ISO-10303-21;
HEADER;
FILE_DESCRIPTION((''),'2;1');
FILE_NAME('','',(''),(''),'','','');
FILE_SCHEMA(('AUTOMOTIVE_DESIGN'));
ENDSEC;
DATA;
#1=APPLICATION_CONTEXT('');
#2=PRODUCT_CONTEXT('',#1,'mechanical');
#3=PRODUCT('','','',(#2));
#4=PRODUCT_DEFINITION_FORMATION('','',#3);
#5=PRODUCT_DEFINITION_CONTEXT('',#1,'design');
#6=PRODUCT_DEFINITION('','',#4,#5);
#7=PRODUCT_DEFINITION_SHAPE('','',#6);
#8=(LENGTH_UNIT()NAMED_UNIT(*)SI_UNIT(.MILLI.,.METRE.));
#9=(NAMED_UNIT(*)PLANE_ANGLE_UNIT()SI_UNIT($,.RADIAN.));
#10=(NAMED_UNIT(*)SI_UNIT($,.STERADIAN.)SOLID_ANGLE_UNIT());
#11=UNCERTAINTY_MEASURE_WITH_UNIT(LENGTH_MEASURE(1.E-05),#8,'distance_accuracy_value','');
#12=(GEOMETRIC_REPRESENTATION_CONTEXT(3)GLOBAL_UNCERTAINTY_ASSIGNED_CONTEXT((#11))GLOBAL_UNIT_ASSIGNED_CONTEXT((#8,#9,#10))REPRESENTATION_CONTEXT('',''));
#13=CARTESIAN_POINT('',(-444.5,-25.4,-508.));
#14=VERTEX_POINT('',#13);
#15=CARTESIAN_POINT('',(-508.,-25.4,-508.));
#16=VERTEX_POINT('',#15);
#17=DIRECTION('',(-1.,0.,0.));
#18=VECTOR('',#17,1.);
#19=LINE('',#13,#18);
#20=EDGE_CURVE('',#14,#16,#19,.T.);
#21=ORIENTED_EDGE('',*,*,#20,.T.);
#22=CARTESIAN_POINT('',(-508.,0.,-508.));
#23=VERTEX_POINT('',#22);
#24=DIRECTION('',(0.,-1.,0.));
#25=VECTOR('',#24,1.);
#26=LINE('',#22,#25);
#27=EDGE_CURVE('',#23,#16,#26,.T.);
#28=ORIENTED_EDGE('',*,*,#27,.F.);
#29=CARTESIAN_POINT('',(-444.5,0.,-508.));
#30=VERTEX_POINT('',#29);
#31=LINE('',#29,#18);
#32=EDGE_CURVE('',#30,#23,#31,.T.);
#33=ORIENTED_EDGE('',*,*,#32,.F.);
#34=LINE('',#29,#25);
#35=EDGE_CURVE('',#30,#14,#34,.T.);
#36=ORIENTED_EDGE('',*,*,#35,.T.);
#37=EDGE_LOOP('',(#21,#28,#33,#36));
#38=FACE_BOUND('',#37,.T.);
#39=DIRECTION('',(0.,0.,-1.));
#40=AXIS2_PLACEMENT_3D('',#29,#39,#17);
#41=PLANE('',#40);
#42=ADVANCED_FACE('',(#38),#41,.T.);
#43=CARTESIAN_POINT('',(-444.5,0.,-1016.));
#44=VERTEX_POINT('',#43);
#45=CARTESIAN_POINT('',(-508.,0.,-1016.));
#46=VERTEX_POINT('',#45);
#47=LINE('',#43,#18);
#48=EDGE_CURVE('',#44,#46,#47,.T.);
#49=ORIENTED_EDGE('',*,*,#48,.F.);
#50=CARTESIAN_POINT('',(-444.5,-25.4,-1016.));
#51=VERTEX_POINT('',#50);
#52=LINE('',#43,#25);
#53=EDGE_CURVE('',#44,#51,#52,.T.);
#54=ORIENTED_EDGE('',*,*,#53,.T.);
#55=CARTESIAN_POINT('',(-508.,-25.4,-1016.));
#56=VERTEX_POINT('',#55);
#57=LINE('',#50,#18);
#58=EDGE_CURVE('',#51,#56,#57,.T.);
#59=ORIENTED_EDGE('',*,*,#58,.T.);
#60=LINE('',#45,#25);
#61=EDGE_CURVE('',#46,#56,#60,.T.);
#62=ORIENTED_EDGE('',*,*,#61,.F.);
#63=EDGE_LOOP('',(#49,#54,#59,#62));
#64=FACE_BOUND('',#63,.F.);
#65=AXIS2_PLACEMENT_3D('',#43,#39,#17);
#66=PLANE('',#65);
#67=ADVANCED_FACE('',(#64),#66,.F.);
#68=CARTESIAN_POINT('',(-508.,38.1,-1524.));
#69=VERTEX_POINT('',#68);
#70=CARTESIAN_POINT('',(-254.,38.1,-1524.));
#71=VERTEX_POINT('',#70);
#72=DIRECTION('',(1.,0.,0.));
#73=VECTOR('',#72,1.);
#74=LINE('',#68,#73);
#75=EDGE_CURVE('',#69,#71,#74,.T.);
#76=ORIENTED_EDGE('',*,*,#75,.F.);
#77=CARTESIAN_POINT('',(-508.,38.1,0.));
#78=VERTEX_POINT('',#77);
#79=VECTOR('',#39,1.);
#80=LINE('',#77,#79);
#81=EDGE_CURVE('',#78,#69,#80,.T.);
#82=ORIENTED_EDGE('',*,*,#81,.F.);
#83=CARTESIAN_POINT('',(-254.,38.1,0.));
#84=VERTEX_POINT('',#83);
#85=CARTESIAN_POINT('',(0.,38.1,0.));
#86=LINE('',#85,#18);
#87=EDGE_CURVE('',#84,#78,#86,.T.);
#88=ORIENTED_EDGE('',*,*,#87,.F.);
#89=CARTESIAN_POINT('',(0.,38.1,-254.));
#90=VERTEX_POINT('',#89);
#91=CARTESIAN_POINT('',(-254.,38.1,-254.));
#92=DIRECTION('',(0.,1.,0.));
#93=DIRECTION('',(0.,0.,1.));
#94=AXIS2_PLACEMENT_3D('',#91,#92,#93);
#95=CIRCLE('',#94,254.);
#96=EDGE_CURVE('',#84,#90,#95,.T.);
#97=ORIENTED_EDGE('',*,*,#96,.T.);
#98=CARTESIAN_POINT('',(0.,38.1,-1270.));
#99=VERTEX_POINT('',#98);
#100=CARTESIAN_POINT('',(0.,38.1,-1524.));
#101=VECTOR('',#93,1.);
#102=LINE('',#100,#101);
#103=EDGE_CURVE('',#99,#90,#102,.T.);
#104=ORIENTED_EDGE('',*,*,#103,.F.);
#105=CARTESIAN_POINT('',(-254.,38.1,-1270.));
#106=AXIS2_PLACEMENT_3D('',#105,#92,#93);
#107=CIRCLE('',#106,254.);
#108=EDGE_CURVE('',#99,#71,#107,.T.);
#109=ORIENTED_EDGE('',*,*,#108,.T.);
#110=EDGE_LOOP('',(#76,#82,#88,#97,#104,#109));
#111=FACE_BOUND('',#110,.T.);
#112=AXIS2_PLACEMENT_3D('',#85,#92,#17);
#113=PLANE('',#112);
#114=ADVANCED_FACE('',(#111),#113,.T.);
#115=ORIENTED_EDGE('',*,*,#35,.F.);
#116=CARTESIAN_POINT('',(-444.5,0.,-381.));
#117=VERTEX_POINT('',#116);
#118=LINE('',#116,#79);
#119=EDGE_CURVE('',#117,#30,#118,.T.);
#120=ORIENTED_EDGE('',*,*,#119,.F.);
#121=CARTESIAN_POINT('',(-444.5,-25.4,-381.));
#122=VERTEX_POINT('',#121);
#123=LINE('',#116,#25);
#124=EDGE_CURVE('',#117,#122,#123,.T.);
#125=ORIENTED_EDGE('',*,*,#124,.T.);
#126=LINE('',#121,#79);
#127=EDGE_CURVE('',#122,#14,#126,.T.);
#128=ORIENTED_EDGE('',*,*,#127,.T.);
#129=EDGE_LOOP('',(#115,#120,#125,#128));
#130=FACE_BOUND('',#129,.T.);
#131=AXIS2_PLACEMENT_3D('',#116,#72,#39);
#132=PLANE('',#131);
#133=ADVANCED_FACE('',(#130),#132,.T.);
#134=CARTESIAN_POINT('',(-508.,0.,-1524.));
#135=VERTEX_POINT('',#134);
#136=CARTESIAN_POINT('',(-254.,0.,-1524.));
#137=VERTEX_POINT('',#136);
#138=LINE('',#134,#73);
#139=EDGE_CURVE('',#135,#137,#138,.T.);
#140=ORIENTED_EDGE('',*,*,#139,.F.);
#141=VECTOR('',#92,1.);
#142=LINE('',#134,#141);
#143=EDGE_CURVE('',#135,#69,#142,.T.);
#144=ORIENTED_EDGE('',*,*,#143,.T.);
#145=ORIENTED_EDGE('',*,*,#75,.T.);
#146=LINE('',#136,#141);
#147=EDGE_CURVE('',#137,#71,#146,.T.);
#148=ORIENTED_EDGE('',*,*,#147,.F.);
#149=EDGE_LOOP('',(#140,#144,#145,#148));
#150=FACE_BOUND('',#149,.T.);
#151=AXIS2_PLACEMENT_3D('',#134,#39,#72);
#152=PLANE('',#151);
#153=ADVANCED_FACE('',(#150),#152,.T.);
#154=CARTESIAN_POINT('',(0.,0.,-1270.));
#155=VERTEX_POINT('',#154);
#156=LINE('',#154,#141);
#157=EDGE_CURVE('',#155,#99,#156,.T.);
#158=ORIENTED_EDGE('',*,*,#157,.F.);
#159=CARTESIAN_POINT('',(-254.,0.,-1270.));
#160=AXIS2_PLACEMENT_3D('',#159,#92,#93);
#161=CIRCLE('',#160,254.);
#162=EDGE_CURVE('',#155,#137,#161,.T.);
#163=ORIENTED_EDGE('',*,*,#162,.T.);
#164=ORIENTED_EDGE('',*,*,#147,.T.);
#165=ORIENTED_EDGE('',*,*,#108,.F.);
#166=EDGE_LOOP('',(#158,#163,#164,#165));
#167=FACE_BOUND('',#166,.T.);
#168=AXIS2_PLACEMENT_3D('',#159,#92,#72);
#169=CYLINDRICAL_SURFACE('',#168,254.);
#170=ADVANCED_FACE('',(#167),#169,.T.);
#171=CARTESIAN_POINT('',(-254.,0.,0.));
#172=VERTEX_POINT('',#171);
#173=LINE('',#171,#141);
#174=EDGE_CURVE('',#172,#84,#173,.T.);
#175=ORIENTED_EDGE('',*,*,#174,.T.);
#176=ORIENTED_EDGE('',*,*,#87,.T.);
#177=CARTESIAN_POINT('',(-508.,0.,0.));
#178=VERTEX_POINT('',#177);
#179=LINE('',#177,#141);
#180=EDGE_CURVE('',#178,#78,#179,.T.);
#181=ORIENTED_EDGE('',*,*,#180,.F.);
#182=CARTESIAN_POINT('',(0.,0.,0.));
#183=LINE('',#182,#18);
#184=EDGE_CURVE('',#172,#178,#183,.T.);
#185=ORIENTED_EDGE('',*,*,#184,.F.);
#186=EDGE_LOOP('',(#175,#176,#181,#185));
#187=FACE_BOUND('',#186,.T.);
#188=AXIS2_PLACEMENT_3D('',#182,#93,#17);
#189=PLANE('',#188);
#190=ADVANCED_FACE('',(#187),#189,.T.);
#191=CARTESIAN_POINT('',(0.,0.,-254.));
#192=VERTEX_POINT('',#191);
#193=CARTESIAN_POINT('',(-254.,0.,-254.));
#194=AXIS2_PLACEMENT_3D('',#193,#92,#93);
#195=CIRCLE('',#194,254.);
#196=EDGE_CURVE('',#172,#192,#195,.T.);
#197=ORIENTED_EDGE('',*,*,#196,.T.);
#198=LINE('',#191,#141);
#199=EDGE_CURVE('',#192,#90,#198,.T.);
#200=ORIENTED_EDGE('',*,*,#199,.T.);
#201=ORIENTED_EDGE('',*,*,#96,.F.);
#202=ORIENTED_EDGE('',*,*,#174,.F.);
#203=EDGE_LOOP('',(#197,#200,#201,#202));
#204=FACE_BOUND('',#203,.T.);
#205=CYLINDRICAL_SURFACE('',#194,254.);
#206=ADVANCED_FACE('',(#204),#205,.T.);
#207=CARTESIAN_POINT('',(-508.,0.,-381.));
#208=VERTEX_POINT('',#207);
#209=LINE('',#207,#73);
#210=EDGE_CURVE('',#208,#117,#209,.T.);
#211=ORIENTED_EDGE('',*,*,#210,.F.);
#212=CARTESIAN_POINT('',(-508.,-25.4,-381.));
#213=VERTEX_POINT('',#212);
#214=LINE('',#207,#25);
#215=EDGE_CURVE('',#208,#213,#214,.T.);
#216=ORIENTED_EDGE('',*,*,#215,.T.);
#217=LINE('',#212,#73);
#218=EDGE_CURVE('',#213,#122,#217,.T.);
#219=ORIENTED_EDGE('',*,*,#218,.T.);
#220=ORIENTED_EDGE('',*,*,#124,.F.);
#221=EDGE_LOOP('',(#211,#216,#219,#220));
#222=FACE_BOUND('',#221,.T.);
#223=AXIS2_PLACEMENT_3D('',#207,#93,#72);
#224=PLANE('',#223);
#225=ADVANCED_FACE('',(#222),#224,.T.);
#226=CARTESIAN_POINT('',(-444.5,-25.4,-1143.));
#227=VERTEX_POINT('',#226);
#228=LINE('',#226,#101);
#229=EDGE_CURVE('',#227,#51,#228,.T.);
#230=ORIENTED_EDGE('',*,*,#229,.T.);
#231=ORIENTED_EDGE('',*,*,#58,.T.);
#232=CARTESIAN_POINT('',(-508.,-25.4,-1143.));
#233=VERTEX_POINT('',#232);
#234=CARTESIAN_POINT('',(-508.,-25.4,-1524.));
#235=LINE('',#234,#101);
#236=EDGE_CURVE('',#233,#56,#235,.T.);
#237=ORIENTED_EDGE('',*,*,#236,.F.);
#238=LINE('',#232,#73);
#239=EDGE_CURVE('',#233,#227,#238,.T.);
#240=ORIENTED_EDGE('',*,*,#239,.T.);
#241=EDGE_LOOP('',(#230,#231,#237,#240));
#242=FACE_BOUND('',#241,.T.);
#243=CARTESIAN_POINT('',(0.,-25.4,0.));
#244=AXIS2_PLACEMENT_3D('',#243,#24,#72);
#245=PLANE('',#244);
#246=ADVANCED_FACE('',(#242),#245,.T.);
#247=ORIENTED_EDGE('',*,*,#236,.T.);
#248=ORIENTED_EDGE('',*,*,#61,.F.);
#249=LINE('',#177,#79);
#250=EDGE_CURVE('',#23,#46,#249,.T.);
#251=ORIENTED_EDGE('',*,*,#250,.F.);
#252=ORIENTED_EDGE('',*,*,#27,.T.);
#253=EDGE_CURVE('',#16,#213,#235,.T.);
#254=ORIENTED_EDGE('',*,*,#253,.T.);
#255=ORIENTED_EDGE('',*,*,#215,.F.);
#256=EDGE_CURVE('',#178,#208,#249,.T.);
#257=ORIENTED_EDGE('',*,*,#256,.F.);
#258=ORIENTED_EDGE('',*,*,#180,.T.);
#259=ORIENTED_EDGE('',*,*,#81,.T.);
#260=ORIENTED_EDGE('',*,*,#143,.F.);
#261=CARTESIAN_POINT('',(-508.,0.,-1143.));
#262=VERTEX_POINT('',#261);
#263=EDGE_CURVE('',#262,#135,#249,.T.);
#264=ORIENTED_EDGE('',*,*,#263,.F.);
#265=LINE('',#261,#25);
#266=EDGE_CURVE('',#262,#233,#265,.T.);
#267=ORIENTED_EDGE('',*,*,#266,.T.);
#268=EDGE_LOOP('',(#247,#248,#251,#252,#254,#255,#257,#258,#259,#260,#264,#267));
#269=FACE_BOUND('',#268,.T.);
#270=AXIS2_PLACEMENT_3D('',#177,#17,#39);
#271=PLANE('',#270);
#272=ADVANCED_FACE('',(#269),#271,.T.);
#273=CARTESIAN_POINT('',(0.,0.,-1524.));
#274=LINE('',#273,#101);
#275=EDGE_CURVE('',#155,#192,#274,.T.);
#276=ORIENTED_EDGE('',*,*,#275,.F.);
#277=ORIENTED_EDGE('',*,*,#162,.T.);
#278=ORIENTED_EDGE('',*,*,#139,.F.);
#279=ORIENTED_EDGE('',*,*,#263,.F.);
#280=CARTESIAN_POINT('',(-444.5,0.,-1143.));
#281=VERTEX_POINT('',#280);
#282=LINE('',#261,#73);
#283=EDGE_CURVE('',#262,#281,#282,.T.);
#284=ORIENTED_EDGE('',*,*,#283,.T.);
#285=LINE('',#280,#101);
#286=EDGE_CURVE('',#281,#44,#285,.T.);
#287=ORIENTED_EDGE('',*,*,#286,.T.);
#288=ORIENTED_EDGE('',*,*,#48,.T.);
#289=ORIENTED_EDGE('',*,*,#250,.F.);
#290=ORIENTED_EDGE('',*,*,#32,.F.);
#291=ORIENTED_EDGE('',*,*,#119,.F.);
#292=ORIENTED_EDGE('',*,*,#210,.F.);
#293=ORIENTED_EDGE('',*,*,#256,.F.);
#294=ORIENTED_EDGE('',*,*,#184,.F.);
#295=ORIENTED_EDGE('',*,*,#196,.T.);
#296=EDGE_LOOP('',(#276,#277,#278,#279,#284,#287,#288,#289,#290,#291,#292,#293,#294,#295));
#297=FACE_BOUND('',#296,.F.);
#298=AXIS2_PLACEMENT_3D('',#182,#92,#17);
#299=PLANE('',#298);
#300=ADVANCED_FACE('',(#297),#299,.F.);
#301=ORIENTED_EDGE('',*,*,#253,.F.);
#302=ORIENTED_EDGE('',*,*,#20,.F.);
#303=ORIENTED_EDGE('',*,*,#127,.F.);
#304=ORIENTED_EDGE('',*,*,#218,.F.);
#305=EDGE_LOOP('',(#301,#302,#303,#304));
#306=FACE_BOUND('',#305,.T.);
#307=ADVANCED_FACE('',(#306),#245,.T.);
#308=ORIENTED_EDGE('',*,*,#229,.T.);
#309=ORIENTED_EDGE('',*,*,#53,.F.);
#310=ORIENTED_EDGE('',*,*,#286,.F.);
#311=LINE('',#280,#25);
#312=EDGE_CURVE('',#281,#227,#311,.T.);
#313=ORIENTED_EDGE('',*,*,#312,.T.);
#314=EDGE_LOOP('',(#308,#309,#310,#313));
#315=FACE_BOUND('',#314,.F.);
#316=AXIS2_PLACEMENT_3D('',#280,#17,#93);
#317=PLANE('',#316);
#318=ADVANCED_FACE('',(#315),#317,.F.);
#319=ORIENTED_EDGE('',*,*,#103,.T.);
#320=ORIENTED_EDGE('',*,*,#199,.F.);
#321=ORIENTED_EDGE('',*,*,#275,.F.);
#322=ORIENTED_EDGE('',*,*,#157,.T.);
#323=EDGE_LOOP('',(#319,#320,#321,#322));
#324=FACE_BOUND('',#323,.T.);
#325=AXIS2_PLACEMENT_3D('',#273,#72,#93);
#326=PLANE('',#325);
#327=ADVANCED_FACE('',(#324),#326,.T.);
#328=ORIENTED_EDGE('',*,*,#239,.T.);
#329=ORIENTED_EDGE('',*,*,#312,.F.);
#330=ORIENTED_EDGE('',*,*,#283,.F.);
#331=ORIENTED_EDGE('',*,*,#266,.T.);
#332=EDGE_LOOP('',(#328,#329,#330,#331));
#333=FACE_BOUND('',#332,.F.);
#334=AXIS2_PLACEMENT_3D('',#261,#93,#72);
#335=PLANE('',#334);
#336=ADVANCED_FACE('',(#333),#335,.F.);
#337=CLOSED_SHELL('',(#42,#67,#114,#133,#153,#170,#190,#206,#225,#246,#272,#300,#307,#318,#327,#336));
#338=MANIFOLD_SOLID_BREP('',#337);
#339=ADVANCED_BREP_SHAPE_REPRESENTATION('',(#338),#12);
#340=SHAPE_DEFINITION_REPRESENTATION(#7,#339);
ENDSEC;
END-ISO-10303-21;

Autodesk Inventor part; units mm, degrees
ref_plane "YZ Plane" through (0, 0, 0) normal (1, 0, 0) x (0, 1, 0)
ref_plane "XZ Plane" through (0, 0, 0) normal (0, 1, 0) x (-1, 0, 0)
ref_plane "XY Plane" through (0, 0, 0) normal (0, 0, 1) x (1, 0, 0)
sketch "Sketch1" plane through (0, 0, 0) normal (0, 1, 0) x (-1, 0, 0)
  line L0 (0, 0) -> (508, 0)
  line L1 (508, 0) -> (508, -1524)
  line L2 (508, -1524) -> (0, -1524)
  line L3 (0, -1524) -> (0, 0)
  dimension "d0" = 1524
  dimension "d1" = 508
extrude "Extrusion1" add sketch "Sketch1" along normal blind 38.1
fillet "Fillet1" radius 254 1 edges at (0, 19.05, 0)
fillet "Fillet2" radius 254 1 edges at (0, 19.05, -1524)
sketch "Sketch2" plane through (0, 0, 0) normal (0, -1, 0) x (1, 0, 0)
  line L0 (-254, -1524) -> (-508, -1524) projected
  line L1 (-508, -1524) -> (-508, 0) projected
  line L2 (-508, -1524) -> (-508, 0)
  line L3 (-508, 0) -> (-508, -381)
  line L4 (-508, -381) -> (-444.5, -381)
  line L5 (-444.5, -381) -> (-444.5, -508)
  line L6 (-444.5, -508) -> (-508, -508)
  line L7 (-508, -1524) -> (-508, -1143)
  line L8 (-508, -1143) -> (-444.5, -1143)
  line L9 (-444.5, -1143) -> (-444.5, -1016)
  line L10 (-444.5, -1016) -> (-508, -1016)
  point P0 (0, 0)
  dimension "d6" = 381
  dimension "d7" = 63.5
  dimension "d8" = 127
  dimension "d9" = 381
  dimension "d10" = 127
extrude "Extrusion2" add sketch "Sketch2" along normal blind 25.4
properties part number "Shelf-ver1-1111-2021" material "Aluminum 6061"
